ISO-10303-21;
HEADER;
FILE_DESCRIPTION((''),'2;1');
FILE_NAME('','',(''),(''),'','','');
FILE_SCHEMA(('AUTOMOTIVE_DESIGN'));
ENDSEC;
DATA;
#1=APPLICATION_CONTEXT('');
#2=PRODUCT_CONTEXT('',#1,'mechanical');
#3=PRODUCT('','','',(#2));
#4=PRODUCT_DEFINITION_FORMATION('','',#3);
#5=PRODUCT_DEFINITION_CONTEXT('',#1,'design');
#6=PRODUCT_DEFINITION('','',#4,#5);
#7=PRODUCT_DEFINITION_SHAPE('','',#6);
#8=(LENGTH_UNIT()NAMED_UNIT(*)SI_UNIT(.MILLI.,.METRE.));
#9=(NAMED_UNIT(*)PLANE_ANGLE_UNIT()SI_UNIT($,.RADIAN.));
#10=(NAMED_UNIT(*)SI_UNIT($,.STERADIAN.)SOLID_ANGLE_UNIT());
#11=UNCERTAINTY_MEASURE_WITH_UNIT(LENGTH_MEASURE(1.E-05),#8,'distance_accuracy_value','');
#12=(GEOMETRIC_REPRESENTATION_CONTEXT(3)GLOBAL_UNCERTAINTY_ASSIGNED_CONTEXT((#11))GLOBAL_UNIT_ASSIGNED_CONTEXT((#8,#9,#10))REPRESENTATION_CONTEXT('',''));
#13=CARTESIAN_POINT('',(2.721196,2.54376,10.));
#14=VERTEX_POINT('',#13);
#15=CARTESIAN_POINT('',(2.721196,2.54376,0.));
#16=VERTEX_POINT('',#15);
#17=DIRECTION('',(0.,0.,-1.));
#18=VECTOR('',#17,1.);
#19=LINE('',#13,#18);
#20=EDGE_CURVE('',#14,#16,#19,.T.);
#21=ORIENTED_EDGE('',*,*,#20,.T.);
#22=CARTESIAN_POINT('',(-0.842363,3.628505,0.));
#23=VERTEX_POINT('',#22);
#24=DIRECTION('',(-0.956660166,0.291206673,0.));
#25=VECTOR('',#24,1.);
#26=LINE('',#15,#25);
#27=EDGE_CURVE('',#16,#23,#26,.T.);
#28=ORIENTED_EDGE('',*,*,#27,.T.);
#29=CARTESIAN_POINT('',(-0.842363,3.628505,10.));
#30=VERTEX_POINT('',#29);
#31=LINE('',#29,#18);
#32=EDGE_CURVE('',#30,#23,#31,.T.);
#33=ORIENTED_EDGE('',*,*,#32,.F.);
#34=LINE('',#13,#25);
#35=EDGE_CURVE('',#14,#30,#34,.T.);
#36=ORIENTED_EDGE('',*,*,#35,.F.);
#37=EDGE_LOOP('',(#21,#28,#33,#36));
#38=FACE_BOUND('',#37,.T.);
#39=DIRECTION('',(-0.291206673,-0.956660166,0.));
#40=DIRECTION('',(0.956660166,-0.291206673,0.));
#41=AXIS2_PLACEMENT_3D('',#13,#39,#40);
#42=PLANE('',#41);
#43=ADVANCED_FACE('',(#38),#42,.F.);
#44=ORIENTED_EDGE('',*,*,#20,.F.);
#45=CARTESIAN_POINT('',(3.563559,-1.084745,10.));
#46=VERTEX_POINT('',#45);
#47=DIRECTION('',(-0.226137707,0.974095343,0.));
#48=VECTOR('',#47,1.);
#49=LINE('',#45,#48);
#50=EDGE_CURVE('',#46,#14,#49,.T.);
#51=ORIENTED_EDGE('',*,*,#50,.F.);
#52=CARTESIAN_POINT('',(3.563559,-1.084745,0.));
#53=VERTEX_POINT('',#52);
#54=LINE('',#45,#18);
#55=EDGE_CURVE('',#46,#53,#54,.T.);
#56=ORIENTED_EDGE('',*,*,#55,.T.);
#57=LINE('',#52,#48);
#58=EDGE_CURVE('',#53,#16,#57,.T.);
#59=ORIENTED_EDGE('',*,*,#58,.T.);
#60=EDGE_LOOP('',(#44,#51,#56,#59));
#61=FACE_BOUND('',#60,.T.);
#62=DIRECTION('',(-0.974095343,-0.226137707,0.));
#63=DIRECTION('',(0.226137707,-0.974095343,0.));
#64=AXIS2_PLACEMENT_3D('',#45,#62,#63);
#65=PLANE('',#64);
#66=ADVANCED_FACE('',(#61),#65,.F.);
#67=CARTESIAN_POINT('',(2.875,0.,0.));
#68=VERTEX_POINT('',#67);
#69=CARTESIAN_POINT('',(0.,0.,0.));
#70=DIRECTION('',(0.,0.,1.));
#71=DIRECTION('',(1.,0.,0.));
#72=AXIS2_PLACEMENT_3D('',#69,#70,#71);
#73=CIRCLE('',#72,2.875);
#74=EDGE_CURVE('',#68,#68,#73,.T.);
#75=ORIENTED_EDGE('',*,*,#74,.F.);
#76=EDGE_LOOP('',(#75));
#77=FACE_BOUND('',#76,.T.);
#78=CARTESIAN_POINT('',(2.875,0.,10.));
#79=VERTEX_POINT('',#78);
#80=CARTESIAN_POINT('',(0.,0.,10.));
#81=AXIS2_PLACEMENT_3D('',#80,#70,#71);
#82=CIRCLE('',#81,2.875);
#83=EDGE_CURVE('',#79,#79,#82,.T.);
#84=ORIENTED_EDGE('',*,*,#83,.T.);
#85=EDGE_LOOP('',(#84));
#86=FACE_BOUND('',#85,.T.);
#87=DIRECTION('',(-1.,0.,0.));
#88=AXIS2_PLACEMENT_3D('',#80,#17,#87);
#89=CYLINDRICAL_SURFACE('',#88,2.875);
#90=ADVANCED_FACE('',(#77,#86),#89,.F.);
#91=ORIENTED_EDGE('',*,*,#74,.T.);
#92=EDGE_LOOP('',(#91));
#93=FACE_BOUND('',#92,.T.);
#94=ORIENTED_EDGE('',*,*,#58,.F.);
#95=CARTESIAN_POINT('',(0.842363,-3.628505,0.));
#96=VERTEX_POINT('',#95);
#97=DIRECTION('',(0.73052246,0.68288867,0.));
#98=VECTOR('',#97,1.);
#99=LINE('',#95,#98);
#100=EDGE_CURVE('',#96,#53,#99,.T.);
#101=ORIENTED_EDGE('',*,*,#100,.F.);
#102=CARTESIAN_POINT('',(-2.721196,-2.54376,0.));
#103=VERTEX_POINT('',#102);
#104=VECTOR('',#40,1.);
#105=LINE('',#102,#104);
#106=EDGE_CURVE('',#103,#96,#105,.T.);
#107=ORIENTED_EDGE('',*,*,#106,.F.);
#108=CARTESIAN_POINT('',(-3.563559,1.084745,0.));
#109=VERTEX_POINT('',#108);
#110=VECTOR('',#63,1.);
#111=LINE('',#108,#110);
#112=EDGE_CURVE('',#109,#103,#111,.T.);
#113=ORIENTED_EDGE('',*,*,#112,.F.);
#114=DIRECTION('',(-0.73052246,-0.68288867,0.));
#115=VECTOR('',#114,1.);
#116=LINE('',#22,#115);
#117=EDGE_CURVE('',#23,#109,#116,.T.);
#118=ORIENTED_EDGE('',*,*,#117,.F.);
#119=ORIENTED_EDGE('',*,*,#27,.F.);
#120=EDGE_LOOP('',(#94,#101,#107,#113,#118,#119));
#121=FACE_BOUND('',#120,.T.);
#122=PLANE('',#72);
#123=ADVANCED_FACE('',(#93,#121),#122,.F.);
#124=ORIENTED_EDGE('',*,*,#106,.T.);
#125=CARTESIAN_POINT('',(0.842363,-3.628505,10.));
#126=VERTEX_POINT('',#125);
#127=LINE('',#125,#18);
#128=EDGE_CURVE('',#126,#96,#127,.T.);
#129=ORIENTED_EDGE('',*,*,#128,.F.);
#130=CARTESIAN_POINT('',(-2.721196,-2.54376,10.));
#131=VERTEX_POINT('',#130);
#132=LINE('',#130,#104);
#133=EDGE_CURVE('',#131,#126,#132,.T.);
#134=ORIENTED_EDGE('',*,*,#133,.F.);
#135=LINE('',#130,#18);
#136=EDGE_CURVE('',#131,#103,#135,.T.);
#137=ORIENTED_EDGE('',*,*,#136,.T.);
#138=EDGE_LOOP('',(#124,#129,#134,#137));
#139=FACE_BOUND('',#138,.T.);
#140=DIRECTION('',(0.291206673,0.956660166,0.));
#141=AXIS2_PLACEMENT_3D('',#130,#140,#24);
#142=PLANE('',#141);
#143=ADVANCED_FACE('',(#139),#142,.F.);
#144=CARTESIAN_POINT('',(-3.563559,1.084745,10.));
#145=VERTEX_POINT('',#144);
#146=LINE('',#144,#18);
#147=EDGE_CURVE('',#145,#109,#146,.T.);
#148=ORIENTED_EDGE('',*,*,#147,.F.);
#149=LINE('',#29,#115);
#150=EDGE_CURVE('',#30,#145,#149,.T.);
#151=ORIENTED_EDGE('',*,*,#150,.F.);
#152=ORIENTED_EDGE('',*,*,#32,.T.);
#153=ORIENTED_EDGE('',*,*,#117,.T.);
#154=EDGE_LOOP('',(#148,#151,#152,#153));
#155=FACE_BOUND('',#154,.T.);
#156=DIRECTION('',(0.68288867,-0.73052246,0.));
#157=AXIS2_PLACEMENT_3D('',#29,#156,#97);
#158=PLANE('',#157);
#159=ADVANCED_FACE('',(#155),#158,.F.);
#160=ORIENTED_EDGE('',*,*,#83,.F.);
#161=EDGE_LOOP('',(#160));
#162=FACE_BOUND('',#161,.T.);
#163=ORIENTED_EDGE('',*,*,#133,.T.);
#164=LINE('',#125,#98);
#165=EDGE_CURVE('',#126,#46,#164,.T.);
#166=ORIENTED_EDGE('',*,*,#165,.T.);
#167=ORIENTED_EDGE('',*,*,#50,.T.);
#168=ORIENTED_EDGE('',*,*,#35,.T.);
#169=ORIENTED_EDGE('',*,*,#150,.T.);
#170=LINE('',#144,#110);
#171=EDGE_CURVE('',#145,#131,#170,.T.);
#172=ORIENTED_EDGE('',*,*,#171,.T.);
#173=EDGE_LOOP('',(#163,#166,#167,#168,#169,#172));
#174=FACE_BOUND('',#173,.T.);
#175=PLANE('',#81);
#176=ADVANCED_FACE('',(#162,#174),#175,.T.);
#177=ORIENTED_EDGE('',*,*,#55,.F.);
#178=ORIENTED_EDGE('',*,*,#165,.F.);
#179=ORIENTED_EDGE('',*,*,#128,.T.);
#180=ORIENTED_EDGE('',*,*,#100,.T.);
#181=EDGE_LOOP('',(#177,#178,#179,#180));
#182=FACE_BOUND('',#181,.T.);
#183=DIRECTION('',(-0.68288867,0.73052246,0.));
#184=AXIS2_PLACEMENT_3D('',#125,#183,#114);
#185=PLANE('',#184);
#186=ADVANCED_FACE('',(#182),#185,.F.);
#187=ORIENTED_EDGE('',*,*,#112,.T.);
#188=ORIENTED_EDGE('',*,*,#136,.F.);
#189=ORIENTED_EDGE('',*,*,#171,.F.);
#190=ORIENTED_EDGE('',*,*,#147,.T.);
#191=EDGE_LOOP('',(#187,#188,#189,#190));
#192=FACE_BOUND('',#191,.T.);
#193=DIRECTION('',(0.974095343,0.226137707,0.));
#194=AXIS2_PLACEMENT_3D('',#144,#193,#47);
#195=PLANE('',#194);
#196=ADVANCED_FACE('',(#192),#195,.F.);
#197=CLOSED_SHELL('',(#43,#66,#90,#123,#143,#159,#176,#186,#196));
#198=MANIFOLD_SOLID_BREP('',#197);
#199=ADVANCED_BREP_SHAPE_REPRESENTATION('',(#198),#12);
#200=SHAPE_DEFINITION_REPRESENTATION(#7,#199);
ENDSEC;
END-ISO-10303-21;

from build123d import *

# Parameters (mm, degrees)
SKETCH1_R           = 2.875
BOSS_EXTRUDE1_DEPTH = 10


with BuildPart() as part:
    # Sketch1 → Boss-Extrude1 (new body)
    with BuildSketch(Plane.XY):
        Polygon((-2.721196162, -2.543760297), (0.842362957, -3.628505153), (3.563559119, -1.084744856), (2.721196162, 2.543760297), (-0.842362957, 3.628505153), (-3.563559119, 1.084744856), align=None)
        Circle(SKETCH1_R, mode=Mode.SUBTRACT)
    extrude(amount=BOSS_EXTRUDE1_DEPTH)


solid = part.part
